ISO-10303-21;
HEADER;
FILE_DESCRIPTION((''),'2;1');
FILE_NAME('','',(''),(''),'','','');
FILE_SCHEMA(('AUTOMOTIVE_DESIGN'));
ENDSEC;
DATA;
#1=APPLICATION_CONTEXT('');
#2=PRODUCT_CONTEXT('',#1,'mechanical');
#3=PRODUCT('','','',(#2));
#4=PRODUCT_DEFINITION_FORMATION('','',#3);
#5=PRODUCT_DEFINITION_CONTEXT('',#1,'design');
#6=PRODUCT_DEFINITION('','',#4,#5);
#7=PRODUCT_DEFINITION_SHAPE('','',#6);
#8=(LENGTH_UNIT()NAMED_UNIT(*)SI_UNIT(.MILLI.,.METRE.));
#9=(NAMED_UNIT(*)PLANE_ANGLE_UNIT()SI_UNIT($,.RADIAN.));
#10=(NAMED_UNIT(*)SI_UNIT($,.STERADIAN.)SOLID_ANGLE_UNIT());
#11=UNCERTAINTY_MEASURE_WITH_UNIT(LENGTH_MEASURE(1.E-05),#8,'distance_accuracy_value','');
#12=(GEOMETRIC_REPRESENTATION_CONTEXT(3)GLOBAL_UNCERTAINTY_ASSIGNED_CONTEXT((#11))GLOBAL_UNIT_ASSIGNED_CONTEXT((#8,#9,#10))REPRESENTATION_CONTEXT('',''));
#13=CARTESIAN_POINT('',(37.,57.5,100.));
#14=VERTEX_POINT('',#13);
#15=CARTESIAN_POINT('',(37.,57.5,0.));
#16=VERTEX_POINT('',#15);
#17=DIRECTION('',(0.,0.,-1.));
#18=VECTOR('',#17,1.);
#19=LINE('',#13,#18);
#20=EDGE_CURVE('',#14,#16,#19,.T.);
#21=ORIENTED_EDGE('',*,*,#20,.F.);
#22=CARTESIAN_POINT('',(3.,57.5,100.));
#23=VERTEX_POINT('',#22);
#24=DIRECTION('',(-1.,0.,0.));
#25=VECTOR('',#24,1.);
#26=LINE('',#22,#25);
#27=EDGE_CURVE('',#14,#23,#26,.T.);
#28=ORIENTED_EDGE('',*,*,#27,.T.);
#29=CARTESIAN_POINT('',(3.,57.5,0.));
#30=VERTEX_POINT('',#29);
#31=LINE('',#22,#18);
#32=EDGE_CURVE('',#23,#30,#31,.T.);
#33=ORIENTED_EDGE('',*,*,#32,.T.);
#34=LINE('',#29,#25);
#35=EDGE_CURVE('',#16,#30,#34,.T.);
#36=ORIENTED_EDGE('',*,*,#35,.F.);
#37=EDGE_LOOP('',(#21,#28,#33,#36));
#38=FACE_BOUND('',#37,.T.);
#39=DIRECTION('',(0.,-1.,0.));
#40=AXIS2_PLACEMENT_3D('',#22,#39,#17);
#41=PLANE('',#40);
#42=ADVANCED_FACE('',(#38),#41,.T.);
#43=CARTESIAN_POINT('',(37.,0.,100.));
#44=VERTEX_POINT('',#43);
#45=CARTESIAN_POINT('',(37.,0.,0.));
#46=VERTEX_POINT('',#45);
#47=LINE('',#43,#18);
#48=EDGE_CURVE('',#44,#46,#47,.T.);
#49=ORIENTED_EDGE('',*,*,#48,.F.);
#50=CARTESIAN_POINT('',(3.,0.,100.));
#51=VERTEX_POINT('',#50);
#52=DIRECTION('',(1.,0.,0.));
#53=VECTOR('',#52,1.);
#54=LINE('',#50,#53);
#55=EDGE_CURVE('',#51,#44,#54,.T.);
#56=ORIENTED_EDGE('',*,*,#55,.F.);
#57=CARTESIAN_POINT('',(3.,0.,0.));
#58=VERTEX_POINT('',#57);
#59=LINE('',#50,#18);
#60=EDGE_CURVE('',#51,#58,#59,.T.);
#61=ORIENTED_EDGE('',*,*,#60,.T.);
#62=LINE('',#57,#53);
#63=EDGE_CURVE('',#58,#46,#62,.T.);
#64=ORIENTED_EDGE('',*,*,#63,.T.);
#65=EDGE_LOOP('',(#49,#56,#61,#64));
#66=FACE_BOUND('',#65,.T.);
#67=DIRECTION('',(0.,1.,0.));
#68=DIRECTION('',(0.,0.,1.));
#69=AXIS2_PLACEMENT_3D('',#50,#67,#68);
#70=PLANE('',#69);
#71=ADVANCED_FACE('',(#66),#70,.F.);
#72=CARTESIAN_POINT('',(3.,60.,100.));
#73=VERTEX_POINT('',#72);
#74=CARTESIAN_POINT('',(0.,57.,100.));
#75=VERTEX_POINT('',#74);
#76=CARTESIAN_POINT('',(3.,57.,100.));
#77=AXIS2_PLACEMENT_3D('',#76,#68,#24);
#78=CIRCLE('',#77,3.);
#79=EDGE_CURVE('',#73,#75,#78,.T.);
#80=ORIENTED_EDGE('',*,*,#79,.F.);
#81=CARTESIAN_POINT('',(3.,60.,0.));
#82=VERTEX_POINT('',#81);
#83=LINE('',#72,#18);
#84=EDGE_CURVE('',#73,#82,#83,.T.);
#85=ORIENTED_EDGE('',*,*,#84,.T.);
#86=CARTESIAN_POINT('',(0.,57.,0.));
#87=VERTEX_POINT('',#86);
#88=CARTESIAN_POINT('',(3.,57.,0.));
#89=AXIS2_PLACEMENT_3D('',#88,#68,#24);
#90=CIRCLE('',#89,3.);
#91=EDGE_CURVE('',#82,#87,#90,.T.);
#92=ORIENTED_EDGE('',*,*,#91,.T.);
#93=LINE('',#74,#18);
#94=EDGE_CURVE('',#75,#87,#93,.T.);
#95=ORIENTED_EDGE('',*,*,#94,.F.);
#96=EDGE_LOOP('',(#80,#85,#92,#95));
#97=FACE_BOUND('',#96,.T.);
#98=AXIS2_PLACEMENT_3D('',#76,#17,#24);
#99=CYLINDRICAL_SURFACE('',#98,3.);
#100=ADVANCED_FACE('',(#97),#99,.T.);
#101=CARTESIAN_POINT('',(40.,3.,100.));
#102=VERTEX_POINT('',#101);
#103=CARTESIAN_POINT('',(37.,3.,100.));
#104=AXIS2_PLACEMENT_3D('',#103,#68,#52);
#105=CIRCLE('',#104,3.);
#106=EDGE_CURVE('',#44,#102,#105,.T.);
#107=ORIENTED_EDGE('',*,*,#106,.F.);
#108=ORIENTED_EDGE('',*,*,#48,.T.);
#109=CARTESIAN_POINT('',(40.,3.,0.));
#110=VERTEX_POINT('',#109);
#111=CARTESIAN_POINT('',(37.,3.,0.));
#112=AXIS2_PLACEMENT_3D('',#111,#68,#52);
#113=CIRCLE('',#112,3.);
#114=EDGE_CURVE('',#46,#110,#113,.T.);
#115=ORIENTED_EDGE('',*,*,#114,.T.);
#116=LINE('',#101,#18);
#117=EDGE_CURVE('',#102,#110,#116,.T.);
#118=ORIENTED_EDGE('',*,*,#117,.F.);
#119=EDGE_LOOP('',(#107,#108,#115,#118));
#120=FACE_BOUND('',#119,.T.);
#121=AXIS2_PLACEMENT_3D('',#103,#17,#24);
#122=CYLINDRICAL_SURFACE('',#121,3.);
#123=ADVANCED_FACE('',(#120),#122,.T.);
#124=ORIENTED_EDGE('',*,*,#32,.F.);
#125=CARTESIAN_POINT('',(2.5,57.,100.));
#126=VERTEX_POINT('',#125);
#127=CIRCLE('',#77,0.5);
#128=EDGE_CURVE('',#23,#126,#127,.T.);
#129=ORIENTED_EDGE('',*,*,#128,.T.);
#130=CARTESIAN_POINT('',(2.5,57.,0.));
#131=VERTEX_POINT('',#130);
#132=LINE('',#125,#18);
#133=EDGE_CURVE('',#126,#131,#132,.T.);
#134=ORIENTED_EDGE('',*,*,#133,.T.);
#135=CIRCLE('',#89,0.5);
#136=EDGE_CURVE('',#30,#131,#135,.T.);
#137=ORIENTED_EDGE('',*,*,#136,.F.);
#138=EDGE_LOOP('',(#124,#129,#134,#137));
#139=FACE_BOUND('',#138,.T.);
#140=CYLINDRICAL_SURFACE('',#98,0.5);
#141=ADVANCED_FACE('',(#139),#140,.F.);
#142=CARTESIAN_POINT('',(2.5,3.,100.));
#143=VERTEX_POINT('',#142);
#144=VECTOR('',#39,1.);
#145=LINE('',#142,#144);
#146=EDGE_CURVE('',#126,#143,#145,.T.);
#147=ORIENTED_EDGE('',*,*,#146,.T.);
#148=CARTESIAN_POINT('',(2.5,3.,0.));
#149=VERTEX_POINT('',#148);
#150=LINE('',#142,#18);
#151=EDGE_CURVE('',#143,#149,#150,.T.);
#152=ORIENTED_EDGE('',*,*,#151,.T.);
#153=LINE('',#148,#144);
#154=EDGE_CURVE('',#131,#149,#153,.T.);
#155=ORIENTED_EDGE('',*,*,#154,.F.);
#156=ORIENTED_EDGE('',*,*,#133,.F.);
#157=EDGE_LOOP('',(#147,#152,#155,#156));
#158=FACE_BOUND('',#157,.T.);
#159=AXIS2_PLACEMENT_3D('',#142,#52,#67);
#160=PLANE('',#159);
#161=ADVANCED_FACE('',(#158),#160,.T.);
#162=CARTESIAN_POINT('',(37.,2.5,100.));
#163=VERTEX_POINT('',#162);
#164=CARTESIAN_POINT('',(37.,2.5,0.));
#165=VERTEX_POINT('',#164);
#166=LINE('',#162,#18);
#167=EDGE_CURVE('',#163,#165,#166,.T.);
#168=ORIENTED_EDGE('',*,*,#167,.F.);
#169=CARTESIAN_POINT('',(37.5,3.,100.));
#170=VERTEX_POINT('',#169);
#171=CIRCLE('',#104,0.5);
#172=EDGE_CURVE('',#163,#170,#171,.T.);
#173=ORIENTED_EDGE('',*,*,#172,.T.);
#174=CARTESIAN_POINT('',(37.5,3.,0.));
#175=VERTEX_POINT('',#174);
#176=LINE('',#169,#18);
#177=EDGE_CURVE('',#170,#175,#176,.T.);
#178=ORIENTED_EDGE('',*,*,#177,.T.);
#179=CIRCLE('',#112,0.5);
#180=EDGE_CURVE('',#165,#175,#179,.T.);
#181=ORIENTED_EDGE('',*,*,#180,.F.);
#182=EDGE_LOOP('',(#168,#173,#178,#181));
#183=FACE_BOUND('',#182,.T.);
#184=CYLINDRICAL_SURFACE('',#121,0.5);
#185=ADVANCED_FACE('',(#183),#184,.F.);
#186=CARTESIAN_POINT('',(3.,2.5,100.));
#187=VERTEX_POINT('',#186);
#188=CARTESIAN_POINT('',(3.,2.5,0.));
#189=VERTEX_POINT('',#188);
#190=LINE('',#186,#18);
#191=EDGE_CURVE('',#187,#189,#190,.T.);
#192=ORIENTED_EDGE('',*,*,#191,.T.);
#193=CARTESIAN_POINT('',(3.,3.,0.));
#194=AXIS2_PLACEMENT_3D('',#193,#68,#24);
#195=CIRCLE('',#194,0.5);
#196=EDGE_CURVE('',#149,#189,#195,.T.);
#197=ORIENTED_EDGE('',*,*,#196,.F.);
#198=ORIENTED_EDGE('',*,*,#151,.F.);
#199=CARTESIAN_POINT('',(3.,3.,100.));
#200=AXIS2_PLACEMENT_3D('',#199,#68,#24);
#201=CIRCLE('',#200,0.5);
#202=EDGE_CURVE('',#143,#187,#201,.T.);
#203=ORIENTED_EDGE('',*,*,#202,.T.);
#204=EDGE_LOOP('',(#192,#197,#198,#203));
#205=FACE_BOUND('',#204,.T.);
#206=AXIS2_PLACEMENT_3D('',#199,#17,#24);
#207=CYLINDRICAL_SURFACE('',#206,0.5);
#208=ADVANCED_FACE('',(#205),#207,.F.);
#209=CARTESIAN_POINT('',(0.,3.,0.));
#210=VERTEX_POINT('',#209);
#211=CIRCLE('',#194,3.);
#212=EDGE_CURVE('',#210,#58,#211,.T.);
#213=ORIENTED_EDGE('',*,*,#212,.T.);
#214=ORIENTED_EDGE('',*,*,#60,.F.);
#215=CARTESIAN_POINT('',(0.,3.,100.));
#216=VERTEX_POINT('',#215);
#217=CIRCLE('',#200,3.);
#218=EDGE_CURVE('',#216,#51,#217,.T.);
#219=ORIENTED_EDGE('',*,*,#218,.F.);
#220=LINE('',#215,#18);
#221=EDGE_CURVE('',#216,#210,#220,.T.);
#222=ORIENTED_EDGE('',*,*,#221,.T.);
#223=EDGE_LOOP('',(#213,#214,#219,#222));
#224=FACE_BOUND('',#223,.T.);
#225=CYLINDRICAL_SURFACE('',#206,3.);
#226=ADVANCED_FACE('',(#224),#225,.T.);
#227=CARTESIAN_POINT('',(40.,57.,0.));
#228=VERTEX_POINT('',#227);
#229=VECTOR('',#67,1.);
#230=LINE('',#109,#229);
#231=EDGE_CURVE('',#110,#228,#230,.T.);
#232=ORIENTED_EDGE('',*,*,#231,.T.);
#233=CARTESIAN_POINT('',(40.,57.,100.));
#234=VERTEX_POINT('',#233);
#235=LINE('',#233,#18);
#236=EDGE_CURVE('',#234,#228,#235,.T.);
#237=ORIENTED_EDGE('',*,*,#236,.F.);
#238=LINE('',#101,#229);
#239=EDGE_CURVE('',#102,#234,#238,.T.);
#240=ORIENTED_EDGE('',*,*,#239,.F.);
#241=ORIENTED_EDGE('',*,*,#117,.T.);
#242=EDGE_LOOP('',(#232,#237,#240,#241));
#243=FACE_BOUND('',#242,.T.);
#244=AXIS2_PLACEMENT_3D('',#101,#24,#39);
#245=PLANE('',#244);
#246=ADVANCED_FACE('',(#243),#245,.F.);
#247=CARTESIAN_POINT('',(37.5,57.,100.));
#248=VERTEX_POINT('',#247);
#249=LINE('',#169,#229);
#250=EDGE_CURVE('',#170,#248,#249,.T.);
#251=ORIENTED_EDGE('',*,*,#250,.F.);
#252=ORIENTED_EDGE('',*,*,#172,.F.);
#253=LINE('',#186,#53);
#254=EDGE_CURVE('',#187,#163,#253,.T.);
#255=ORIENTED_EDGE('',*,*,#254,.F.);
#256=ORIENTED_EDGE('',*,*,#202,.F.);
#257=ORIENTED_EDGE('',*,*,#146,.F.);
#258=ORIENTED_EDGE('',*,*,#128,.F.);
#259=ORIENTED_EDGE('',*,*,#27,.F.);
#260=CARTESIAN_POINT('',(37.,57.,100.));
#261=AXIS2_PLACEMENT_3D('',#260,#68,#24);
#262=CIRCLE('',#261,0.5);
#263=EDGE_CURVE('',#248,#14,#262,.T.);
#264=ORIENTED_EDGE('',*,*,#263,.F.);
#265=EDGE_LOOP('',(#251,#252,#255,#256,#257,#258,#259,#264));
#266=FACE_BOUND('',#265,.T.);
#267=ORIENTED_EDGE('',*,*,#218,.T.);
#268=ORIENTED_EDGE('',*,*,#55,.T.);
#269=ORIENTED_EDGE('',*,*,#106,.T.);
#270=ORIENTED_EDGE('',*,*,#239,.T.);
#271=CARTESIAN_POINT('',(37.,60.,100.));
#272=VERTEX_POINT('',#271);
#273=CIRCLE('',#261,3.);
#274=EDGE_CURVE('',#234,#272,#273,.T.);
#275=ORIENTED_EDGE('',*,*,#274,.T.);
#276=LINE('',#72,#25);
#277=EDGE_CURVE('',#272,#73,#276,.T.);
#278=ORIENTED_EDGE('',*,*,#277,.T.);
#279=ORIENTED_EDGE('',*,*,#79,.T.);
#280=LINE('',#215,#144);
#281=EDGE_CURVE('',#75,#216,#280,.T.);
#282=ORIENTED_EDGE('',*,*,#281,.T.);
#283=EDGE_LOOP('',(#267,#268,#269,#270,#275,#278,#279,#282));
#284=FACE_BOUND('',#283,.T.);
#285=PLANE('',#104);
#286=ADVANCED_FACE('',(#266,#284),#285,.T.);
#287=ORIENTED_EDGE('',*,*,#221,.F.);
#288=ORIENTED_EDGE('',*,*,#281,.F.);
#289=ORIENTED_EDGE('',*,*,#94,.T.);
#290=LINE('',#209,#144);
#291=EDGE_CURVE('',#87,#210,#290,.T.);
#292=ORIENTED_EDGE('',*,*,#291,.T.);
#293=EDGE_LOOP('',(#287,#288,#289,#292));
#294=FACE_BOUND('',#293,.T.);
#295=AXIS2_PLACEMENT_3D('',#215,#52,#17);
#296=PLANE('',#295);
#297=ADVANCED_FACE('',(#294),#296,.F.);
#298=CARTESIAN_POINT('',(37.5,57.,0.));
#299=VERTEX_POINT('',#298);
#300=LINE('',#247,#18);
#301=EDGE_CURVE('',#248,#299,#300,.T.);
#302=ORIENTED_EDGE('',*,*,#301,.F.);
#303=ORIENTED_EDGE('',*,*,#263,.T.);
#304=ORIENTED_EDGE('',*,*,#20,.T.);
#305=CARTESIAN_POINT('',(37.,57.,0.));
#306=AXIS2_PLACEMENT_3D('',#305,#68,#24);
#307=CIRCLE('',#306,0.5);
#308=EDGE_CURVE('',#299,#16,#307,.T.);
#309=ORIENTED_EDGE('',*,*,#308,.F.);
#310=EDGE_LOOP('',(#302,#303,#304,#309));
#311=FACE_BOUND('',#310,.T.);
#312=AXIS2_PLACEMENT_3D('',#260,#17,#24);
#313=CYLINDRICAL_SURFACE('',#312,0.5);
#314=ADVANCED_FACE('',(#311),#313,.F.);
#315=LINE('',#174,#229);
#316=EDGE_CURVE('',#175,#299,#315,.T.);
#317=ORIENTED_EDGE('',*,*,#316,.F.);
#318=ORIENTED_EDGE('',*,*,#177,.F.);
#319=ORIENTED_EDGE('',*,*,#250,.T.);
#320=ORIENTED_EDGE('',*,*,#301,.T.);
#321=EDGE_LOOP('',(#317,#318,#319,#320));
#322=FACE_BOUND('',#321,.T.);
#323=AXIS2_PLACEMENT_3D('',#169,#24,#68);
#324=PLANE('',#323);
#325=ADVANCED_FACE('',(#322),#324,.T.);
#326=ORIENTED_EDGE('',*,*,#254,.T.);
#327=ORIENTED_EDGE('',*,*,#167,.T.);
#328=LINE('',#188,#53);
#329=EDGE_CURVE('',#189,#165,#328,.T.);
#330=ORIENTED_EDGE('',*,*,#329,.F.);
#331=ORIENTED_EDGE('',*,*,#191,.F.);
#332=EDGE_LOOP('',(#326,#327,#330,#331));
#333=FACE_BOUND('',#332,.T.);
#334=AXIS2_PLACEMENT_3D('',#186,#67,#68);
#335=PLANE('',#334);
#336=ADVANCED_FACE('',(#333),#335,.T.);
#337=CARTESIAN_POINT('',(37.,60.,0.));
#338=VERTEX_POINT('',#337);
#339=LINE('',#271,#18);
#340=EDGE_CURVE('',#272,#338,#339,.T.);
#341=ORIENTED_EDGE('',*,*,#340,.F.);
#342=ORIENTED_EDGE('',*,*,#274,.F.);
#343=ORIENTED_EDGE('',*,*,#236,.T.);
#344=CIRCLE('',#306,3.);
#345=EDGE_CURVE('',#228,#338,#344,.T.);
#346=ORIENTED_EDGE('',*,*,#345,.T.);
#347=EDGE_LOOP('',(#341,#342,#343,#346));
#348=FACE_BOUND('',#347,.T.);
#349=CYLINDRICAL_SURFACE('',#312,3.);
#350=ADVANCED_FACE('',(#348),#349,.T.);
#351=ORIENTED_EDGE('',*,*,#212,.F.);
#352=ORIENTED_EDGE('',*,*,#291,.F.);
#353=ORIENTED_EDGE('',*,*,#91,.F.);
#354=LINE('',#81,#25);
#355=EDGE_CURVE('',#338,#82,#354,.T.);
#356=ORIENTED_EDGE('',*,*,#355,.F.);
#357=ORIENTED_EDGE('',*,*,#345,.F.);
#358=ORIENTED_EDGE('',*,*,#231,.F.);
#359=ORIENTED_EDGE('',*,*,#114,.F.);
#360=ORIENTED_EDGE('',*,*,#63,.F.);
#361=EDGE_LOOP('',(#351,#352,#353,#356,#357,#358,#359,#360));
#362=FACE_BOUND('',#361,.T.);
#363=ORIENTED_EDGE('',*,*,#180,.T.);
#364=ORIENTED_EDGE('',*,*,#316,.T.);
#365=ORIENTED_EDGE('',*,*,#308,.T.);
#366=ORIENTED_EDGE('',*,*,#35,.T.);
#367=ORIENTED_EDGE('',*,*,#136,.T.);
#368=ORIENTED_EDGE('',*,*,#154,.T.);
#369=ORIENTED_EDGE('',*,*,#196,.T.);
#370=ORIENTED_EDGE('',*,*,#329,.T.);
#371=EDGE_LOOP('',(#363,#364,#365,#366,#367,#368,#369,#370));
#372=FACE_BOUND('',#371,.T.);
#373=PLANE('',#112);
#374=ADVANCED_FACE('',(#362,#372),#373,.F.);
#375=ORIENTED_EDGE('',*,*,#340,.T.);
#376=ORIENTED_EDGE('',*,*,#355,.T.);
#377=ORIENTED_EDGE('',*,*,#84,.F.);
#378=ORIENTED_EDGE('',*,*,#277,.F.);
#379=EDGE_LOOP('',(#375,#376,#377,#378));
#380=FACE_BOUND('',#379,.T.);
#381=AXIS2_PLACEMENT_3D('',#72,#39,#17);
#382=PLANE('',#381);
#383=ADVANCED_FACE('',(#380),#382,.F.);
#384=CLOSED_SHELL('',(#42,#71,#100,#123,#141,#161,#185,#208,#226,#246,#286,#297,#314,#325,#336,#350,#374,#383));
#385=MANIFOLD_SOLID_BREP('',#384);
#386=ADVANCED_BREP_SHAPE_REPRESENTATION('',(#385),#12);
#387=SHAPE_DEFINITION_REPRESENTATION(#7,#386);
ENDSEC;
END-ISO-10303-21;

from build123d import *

# Parameters (mm, degrees)
BOSS_EXTRUDE1_DEPTH = 100


with BuildPart() as part:
    # Sketch1 → Boss-Extrude1 (new body)
    with BuildSketch(Plane.XY):
        with BuildLine():
            Line((3, 0), (37, 0))
            ThreePointArc((37, 0), (39.121320344, 0.878679656), (40, 3))
            Line((40, 3), (40, 57))
            ThreePointArc((40, 57), (39.121320344, 59.121320344), (37, 60))
            Line((37, 60), (3, 60))
            ThreePointArc((3, 60), (0.878679656, 59.121320344), (0, 57))
            Line((0, 57), (0, 3))
            ThreePointArc((0, 3), (0.878679656, 0.878679656), (3, 0))
        make_face()
        with BuildLine():
            Line((3, 2.5), (37, 2.5))
            ThreePointArc((37, 2.5), (37.353553391, 2.646446609), (37.5, 3))
            Line((37.5, 3), (37.5, 57))
            ThreePointArc((37.5, 57), (37.353553391, 57.353553391), (37, 57.5))
            Line((37, 57.5), (3, 57.5))
            ThreePointArc((3, 57.5), (2.646446609, 57.353553391), (2.5, 57))
            Line((2.5, 57), (2.5, 3))
            ThreePointArc((2.5, 3), (2.646446609, 2.646446609), (3, 2.5))
        make_face(mode=Mode.SUBTRACT)
    extrude(amount=BOSS_EXTRUDE1_DEPTH)


solid = part.part
